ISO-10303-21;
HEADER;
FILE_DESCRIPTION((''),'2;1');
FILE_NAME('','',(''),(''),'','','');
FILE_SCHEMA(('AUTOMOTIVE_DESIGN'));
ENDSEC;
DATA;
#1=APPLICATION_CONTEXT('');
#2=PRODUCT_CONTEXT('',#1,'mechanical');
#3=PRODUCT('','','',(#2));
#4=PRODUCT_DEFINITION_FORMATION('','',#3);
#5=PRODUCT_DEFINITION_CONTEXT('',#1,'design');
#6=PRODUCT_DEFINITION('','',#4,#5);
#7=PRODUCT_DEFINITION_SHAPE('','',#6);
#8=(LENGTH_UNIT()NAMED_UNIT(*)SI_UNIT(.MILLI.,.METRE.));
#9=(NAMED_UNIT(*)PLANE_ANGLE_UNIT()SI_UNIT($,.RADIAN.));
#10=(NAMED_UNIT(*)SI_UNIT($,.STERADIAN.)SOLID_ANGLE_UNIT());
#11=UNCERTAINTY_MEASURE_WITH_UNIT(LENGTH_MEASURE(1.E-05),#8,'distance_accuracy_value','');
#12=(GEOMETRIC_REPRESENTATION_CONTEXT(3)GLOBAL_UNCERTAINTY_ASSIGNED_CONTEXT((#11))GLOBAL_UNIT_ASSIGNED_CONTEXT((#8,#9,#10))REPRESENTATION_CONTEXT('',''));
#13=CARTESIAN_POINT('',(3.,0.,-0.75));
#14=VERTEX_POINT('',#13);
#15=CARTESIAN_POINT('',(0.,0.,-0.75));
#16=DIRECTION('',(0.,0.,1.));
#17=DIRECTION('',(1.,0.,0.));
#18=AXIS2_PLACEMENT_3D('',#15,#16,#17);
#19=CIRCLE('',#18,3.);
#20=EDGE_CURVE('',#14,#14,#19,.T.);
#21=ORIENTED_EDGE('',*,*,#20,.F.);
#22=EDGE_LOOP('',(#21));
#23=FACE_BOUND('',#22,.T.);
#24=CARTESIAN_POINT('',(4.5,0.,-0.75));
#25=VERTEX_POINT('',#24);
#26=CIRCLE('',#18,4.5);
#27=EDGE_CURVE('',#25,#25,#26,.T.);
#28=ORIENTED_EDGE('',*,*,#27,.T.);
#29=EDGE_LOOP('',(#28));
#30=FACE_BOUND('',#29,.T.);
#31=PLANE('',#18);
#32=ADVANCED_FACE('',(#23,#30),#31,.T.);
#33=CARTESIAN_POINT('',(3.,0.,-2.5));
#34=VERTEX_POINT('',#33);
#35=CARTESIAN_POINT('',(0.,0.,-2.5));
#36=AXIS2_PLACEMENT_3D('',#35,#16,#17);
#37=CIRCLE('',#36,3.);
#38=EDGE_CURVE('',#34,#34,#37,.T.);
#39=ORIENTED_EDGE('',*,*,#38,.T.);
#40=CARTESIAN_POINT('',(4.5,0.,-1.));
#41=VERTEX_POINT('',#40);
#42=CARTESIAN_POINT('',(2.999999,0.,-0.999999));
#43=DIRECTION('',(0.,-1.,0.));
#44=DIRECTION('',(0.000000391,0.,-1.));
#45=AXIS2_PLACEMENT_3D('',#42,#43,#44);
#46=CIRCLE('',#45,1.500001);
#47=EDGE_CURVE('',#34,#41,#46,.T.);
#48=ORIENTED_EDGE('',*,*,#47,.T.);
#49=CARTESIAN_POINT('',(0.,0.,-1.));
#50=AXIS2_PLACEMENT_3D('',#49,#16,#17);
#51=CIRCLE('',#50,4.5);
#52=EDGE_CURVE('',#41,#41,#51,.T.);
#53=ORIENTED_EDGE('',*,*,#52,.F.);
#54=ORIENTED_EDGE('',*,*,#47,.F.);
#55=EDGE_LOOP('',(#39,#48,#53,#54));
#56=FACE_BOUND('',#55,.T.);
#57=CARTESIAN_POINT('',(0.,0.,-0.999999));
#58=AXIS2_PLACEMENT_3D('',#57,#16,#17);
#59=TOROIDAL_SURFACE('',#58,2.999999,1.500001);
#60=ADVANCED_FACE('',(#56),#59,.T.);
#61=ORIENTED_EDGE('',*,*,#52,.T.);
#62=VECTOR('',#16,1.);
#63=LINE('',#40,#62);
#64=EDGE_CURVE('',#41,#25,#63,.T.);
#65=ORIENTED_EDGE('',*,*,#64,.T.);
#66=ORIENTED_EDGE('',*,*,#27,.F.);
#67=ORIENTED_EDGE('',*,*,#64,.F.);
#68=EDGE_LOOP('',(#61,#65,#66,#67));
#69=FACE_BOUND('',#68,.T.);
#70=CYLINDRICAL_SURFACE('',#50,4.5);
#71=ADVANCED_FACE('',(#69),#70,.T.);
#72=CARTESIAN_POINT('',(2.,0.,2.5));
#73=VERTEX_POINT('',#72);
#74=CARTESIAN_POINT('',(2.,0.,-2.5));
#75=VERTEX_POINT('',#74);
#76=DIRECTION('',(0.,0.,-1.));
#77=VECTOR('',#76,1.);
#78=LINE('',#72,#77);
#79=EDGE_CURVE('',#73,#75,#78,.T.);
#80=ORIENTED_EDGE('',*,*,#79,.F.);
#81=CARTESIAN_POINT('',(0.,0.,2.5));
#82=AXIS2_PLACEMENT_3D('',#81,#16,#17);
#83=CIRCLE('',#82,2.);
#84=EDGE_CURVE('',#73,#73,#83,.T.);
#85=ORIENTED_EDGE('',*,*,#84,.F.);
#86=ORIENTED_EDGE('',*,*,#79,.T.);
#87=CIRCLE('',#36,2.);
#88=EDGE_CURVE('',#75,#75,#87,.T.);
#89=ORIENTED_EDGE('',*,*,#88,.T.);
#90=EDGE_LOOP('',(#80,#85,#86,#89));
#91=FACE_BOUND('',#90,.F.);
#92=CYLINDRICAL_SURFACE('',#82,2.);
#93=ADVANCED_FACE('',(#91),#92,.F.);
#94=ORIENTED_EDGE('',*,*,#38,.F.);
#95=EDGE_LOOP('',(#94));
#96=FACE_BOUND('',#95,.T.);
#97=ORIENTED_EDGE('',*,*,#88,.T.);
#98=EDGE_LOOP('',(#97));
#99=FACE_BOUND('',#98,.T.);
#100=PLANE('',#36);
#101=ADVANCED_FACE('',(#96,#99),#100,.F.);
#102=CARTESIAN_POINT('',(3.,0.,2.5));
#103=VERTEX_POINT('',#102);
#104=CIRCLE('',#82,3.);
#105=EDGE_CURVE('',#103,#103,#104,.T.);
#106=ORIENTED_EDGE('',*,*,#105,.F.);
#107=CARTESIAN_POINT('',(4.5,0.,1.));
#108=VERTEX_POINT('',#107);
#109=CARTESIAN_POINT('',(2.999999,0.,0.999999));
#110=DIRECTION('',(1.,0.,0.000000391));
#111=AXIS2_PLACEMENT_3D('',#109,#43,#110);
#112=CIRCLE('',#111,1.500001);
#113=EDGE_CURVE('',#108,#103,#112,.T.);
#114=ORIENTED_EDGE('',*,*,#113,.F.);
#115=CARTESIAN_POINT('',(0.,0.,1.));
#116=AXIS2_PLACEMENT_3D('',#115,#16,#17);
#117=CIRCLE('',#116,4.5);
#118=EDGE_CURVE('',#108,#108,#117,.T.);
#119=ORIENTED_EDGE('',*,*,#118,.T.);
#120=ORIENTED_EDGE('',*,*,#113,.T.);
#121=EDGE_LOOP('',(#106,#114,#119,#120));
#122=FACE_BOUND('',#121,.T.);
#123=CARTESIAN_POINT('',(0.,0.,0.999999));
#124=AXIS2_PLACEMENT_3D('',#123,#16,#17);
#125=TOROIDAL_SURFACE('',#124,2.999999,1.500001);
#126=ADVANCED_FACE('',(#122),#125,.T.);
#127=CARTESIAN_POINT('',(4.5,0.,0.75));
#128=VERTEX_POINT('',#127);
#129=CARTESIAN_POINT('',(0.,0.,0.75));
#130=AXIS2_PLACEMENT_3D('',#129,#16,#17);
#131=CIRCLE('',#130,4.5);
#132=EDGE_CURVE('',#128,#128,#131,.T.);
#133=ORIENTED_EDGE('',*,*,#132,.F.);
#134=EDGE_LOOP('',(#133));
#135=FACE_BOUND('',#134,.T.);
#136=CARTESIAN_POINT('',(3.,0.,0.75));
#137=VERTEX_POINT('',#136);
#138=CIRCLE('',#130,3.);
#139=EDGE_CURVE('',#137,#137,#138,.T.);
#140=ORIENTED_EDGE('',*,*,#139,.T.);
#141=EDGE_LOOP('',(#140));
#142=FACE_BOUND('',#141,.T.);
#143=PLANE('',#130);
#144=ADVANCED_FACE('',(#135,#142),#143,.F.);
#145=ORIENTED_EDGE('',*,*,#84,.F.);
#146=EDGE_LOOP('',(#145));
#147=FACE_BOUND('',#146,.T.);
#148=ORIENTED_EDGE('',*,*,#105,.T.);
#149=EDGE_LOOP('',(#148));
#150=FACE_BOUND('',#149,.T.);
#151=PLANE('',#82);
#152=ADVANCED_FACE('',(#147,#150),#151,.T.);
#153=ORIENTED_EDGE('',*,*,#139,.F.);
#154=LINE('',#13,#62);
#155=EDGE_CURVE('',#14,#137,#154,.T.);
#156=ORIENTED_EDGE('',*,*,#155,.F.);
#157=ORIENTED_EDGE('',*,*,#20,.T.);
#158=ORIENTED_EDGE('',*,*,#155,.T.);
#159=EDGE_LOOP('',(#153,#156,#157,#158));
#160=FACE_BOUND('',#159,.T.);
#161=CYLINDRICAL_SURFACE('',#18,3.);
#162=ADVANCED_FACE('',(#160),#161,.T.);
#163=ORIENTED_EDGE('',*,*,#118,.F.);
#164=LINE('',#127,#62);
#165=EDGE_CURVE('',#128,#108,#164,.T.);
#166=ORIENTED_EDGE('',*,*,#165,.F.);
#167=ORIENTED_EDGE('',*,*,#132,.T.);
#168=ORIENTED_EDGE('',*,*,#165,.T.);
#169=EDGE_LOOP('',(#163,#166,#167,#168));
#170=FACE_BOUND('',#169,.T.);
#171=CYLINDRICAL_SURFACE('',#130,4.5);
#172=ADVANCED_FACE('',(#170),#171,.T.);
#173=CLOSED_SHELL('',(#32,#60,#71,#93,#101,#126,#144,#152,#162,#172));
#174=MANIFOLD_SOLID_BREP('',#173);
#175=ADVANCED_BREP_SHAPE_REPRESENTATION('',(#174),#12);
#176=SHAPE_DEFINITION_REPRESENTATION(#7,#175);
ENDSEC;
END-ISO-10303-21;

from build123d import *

# Parameters (mm, degrees)
F2_R     = 2
F3_DEPTH = 5


with BuildPart() as f1:
    # F0 (on Front) → F1 (revolve)
    with BuildSketch(Plane.XZ):
        with BuildLine():
            Line((0, 2.5), (0, 0))
            Line((0, 0), (0, -2.5))
            Line((0, -2.5), (3, -2.5))
            ThreePointArc((3, -2.5), (4.06066, -2.06066), (4.5, -1))
            Line((4.5, -1), (4.5, -0.75))
            Line((4.5, -0.75), (3, -0.75))
            Line((3, -0.75), (3, 0.75))
            Line((3, 0.75), (4.5, 0.75))
            Line((4.5, 0.75), (4.5, 1))
            ThreePointArc((4.5, 1), (4.06066, 2.06066), (3, 2.5))
            Line((3, 2.5), (0, 2.5))
        make_face()
    revolve(axis=Axis((0, 0, 1.25), (0, 0, 1)))

    # F2 (on face) → F3 (cut, through all)
    with BuildSketch(Plane.XY.offset(2.5)):
        Circle(F2_R)
    extrude(amount=-F3_DEPTH, mode=Mode.SUBTRACT)


solid = f1.part
